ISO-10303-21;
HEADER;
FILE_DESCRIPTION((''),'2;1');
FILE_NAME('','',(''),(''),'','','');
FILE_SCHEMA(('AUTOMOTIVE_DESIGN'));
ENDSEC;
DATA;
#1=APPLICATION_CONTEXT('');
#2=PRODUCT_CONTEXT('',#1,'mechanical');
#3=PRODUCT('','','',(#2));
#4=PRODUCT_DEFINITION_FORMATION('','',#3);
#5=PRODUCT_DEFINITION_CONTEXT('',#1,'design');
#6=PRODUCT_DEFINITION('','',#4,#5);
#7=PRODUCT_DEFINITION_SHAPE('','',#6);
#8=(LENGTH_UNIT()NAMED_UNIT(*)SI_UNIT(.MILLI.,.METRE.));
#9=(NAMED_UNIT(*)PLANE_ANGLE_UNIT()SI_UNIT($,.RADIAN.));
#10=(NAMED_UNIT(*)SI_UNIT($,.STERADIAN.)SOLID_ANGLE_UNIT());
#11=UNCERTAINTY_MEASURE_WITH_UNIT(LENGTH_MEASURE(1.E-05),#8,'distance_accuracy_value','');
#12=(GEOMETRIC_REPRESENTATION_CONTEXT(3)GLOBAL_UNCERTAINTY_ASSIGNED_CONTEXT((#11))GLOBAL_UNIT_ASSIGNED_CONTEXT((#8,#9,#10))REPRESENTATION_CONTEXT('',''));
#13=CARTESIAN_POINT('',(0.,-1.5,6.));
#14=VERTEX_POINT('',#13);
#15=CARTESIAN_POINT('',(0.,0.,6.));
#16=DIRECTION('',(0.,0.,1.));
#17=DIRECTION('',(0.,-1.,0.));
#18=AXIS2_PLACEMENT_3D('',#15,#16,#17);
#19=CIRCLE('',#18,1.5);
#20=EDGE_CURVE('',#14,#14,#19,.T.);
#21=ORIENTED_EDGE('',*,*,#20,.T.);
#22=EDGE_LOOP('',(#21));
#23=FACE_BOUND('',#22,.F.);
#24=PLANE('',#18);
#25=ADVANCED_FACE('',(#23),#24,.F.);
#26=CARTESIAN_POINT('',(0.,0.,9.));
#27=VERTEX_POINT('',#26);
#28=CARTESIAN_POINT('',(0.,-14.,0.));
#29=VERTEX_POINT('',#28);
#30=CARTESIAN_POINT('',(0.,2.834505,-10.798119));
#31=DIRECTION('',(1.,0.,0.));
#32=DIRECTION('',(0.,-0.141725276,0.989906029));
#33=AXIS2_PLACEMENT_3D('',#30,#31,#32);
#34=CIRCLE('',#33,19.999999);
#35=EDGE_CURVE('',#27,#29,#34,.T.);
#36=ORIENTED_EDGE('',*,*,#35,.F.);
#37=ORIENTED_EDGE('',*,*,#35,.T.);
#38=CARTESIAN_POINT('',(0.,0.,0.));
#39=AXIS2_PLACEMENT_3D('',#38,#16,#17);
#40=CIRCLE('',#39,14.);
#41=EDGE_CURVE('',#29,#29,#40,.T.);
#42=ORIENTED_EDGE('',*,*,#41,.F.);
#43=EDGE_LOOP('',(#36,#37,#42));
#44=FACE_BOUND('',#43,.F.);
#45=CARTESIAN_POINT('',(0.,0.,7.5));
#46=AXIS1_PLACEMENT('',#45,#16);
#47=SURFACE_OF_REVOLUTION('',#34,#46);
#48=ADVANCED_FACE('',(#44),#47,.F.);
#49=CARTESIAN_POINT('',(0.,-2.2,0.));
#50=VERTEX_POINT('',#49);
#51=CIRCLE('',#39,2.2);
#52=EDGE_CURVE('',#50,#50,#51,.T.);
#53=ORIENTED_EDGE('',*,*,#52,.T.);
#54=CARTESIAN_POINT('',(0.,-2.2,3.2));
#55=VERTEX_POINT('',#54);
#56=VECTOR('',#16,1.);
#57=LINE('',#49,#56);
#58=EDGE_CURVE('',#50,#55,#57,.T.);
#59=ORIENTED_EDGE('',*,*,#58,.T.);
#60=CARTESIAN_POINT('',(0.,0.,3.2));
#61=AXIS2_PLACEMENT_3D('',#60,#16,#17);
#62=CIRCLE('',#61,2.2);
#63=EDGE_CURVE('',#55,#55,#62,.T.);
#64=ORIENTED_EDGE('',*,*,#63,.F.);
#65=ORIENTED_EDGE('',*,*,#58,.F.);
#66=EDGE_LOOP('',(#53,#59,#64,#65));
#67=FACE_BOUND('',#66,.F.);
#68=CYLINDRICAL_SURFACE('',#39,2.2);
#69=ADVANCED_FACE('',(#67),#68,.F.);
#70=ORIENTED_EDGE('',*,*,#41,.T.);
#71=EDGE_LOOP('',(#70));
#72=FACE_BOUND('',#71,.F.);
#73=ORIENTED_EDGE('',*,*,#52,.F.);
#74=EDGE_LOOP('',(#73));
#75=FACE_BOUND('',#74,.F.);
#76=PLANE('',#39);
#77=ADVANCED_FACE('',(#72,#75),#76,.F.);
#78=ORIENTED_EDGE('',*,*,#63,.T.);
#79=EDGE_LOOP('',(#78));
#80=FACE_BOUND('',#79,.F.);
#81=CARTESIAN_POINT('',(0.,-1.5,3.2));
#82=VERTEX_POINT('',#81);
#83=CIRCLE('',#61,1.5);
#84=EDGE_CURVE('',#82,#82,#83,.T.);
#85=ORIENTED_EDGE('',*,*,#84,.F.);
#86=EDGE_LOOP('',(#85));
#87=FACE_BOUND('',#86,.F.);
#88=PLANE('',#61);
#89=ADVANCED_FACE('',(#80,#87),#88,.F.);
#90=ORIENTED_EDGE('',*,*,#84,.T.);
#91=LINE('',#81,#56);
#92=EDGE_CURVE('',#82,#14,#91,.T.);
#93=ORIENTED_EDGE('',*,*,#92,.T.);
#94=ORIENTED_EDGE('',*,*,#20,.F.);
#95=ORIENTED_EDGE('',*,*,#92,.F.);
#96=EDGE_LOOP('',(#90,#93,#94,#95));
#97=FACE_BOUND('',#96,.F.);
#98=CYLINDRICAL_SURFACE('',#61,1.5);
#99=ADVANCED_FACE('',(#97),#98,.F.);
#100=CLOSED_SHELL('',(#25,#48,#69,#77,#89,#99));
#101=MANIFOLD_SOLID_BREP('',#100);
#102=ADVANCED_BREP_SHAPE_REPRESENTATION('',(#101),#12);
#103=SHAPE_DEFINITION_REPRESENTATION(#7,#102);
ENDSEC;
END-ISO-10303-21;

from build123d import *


with BuildPart() as f1:
    # F0 (on Right) → F1 (revolve)
    with BuildSketch(Plane.YZ):
        with BuildLine():
            Line((-14, 0), (-2.2, 0))
            Line((-2.2, 0), (-2.2, 3.2))
            Line((-2.2, 3.2), (-1.5, 3.2))
            Line((-1.5, 3.2), (-1.5, 6))
            Line((-1.5, 6), (0, 6))
            Line((0, 6), (0, 9))
            ThreePointArc((0, 9), (-7.980646, 6.025449), (-14, 0))
        make_face()
    revolve(axis=Axis((0, 0, 7.5), (0, 0, 1)))


solid = f1.part
